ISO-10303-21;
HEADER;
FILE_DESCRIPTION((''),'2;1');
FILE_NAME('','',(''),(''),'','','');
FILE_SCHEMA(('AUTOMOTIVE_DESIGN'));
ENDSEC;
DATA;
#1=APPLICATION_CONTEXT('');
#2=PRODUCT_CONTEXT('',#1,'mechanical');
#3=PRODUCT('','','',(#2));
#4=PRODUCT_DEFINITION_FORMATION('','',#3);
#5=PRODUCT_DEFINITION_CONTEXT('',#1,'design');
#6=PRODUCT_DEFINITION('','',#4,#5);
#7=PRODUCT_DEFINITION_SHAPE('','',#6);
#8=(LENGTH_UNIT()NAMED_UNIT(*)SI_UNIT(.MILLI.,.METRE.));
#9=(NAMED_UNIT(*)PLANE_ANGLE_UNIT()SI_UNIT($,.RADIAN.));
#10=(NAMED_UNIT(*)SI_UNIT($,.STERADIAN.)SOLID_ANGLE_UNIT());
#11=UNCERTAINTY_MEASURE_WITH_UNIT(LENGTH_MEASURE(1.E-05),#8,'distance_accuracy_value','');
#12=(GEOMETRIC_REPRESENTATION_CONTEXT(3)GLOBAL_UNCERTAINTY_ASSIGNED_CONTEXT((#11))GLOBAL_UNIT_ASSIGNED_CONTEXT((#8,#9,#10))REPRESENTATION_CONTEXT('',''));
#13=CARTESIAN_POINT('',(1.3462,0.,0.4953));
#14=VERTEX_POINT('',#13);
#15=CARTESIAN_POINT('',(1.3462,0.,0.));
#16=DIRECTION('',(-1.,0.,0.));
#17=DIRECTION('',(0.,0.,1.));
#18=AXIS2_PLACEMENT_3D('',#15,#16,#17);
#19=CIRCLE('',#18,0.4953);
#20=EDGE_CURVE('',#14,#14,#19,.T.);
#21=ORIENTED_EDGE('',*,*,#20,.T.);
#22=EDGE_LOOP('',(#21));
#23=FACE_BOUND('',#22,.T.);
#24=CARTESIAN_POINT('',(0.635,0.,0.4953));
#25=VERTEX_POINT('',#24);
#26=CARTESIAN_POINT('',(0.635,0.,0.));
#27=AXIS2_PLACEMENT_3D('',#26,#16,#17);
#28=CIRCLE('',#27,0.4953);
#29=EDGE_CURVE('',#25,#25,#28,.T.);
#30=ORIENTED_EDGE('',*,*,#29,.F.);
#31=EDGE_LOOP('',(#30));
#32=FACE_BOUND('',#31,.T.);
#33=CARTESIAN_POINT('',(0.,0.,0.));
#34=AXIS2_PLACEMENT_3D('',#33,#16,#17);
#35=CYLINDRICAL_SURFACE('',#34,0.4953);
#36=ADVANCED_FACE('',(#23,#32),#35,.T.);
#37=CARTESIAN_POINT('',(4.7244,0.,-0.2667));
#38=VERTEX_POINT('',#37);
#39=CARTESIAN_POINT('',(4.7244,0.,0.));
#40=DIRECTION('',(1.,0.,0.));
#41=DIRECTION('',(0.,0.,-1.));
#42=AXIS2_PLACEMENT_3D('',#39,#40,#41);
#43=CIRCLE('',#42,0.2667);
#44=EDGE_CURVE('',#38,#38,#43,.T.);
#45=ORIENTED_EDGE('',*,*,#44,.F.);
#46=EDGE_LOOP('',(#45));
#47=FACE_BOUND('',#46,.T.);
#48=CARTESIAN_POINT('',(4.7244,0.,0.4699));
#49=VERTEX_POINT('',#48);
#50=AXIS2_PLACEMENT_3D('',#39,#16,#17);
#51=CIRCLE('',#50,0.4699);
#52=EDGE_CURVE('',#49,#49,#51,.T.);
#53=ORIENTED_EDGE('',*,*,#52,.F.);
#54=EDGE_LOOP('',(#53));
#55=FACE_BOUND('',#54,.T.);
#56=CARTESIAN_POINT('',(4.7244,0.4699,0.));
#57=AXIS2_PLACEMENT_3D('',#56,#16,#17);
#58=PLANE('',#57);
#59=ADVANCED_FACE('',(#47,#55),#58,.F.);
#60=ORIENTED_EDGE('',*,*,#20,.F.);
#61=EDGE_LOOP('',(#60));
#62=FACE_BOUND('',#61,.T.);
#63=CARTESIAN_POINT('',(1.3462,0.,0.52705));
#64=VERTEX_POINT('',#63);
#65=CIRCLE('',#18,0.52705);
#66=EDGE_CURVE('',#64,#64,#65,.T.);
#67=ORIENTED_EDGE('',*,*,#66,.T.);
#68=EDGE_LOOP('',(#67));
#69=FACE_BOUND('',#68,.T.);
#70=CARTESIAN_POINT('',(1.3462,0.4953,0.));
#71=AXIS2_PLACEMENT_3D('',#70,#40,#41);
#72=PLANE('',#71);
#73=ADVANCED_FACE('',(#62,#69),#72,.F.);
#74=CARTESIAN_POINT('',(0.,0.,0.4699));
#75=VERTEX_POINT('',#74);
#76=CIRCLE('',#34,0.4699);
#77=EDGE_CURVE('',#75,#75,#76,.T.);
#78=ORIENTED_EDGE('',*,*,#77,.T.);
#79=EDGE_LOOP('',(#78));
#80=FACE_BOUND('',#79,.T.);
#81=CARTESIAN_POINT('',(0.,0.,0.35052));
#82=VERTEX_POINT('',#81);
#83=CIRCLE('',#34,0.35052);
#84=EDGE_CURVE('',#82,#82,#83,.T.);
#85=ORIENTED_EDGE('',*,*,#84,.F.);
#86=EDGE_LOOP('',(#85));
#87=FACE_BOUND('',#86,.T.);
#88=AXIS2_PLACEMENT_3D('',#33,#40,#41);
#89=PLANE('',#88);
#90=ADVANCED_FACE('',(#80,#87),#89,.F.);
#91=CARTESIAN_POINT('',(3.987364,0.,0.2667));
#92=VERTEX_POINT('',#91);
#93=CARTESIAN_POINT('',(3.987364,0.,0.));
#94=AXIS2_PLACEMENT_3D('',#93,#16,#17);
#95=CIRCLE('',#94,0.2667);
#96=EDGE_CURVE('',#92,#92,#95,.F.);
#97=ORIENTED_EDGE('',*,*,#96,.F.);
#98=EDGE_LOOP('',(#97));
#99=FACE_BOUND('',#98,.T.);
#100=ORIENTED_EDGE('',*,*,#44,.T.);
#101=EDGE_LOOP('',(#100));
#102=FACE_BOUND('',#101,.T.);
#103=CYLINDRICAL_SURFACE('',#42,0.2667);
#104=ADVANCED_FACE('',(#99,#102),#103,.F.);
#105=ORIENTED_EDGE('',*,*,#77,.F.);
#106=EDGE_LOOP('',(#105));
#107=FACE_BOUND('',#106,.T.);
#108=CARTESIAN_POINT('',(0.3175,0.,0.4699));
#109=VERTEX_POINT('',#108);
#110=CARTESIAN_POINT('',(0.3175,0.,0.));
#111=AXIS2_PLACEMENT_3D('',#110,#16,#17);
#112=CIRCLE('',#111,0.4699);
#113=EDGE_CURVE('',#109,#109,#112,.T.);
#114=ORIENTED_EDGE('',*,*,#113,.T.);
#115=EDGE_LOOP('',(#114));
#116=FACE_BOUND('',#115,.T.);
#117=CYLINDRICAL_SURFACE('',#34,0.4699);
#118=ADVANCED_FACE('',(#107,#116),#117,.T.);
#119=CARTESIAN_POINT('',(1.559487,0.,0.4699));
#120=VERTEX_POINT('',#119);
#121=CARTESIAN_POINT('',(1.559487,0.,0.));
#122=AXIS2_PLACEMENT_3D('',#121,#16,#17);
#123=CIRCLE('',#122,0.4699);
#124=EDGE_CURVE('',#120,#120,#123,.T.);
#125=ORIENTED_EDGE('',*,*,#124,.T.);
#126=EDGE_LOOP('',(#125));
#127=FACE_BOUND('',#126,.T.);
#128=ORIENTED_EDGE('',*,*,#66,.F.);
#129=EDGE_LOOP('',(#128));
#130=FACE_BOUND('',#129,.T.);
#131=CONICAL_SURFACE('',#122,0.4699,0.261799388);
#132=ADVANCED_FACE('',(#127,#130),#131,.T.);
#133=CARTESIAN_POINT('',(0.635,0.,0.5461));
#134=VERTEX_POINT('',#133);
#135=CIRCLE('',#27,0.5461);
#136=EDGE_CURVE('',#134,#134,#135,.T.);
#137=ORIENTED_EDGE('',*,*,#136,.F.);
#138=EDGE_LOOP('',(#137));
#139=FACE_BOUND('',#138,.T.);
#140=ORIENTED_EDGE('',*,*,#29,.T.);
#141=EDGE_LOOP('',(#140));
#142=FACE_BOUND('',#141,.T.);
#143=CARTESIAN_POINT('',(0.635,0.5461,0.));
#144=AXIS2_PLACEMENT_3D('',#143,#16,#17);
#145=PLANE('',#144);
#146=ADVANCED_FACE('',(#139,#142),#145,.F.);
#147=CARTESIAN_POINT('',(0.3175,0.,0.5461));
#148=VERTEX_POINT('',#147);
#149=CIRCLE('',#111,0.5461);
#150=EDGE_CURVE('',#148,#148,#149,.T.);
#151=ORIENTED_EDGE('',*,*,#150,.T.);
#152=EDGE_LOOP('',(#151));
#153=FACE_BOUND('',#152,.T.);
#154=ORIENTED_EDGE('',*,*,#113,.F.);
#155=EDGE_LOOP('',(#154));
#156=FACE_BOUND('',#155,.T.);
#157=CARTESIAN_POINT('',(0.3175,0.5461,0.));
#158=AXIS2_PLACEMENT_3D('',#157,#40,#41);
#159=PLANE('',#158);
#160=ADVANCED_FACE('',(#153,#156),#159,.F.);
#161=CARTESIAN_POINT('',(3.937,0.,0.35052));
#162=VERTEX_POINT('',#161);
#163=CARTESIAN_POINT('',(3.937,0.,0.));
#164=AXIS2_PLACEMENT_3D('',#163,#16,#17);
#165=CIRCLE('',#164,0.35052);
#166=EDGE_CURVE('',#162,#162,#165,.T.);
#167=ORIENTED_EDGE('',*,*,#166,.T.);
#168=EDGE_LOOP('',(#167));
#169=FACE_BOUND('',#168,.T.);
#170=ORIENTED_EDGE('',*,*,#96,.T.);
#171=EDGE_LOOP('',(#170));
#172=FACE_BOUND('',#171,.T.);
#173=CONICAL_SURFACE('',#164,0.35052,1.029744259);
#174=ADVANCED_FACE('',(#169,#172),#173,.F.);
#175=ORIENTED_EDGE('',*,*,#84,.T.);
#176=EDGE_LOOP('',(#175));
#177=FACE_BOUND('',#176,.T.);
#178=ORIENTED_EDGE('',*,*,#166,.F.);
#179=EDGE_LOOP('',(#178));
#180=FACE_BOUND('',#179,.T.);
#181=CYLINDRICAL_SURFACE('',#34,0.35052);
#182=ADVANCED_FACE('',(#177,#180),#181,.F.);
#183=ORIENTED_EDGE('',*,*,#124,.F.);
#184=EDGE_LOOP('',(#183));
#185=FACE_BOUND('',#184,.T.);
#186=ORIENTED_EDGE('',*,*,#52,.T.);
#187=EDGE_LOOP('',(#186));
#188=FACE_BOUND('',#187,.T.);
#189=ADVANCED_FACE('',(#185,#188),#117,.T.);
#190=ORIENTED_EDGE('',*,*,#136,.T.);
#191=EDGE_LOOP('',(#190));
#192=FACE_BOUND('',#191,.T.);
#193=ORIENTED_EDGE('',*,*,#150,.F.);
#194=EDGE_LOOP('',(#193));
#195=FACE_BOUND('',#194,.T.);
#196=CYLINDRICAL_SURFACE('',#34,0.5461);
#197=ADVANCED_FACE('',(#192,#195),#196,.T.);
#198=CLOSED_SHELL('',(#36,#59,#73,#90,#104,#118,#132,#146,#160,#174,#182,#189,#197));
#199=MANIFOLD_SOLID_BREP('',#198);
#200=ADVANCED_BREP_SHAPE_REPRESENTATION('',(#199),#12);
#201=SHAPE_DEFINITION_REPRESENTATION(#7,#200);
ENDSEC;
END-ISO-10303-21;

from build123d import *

# Parameters (mm, degrees)
HOLE1_D     = 0.70104
HOLE1_DEPTH = 3.937
HOLE1_TIP   = 0.210613664
HOLE2_D     = 0.5334
HOLE2_DEPTH = 4.7244
HOLE2_TIP   = 0.160249527


with BuildPart() as part:
    # Sketch1 → RevolutionAngle1 (revolve)
    with BuildSketch(Plane.XY, mode=Mode.PRIVATE) as revolutionangle1_sk:
        Polygon((0, 0), (0, 0.4699), (0.3175, 0.4699), (0.3175, 0.5461), (0.635, 0.5461), (0.635, 0.4953), (1.3462, 0.4953), (1.3462, 0.52705), (1.559486704, 0.4699), (4.7244, 0.4699), (4.7244, 0), align=None)
    revolve(revolutionangle1_sk.sketch.rotate(Axis((0, 0, 0), (1, 0, 0)), 90), axis=Axis((0, 0, 0), (1, 0, 0)))

    # Hole1
    with Locations(Plane.ZY):
        with Locations((0, 0)):
            Hole(HOLE1_D / 2, depth=HOLE1_DEPTH)
            with Locations((0, 0, -(HOLE1_DEPTH + HOLE1_TIP / 2))):  # 118° drill point
                Cone(0, HOLE1_D / 2, HOLE1_TIP, mode=Mode.SUBTRACT)

    # Hole2
    with Locations(Plane(origin=(4.7244, 0, 0), x_dir=(0, 0, -1), z_dir=(1, 0, 0))):
        with Locations((0, 0)):
            Hole(HOLE2_D / 2, depth=HOLE2_DEPTH)
            with Locations((0, 0, -(HOLE2_DEPTH + HOLE2_TIP / 2))):  # 118° drill point
                Cone(0, HOLE2_D / 2, HOLE2_TIP, mode=Mode.SUBTRACT)


solid = part.part
